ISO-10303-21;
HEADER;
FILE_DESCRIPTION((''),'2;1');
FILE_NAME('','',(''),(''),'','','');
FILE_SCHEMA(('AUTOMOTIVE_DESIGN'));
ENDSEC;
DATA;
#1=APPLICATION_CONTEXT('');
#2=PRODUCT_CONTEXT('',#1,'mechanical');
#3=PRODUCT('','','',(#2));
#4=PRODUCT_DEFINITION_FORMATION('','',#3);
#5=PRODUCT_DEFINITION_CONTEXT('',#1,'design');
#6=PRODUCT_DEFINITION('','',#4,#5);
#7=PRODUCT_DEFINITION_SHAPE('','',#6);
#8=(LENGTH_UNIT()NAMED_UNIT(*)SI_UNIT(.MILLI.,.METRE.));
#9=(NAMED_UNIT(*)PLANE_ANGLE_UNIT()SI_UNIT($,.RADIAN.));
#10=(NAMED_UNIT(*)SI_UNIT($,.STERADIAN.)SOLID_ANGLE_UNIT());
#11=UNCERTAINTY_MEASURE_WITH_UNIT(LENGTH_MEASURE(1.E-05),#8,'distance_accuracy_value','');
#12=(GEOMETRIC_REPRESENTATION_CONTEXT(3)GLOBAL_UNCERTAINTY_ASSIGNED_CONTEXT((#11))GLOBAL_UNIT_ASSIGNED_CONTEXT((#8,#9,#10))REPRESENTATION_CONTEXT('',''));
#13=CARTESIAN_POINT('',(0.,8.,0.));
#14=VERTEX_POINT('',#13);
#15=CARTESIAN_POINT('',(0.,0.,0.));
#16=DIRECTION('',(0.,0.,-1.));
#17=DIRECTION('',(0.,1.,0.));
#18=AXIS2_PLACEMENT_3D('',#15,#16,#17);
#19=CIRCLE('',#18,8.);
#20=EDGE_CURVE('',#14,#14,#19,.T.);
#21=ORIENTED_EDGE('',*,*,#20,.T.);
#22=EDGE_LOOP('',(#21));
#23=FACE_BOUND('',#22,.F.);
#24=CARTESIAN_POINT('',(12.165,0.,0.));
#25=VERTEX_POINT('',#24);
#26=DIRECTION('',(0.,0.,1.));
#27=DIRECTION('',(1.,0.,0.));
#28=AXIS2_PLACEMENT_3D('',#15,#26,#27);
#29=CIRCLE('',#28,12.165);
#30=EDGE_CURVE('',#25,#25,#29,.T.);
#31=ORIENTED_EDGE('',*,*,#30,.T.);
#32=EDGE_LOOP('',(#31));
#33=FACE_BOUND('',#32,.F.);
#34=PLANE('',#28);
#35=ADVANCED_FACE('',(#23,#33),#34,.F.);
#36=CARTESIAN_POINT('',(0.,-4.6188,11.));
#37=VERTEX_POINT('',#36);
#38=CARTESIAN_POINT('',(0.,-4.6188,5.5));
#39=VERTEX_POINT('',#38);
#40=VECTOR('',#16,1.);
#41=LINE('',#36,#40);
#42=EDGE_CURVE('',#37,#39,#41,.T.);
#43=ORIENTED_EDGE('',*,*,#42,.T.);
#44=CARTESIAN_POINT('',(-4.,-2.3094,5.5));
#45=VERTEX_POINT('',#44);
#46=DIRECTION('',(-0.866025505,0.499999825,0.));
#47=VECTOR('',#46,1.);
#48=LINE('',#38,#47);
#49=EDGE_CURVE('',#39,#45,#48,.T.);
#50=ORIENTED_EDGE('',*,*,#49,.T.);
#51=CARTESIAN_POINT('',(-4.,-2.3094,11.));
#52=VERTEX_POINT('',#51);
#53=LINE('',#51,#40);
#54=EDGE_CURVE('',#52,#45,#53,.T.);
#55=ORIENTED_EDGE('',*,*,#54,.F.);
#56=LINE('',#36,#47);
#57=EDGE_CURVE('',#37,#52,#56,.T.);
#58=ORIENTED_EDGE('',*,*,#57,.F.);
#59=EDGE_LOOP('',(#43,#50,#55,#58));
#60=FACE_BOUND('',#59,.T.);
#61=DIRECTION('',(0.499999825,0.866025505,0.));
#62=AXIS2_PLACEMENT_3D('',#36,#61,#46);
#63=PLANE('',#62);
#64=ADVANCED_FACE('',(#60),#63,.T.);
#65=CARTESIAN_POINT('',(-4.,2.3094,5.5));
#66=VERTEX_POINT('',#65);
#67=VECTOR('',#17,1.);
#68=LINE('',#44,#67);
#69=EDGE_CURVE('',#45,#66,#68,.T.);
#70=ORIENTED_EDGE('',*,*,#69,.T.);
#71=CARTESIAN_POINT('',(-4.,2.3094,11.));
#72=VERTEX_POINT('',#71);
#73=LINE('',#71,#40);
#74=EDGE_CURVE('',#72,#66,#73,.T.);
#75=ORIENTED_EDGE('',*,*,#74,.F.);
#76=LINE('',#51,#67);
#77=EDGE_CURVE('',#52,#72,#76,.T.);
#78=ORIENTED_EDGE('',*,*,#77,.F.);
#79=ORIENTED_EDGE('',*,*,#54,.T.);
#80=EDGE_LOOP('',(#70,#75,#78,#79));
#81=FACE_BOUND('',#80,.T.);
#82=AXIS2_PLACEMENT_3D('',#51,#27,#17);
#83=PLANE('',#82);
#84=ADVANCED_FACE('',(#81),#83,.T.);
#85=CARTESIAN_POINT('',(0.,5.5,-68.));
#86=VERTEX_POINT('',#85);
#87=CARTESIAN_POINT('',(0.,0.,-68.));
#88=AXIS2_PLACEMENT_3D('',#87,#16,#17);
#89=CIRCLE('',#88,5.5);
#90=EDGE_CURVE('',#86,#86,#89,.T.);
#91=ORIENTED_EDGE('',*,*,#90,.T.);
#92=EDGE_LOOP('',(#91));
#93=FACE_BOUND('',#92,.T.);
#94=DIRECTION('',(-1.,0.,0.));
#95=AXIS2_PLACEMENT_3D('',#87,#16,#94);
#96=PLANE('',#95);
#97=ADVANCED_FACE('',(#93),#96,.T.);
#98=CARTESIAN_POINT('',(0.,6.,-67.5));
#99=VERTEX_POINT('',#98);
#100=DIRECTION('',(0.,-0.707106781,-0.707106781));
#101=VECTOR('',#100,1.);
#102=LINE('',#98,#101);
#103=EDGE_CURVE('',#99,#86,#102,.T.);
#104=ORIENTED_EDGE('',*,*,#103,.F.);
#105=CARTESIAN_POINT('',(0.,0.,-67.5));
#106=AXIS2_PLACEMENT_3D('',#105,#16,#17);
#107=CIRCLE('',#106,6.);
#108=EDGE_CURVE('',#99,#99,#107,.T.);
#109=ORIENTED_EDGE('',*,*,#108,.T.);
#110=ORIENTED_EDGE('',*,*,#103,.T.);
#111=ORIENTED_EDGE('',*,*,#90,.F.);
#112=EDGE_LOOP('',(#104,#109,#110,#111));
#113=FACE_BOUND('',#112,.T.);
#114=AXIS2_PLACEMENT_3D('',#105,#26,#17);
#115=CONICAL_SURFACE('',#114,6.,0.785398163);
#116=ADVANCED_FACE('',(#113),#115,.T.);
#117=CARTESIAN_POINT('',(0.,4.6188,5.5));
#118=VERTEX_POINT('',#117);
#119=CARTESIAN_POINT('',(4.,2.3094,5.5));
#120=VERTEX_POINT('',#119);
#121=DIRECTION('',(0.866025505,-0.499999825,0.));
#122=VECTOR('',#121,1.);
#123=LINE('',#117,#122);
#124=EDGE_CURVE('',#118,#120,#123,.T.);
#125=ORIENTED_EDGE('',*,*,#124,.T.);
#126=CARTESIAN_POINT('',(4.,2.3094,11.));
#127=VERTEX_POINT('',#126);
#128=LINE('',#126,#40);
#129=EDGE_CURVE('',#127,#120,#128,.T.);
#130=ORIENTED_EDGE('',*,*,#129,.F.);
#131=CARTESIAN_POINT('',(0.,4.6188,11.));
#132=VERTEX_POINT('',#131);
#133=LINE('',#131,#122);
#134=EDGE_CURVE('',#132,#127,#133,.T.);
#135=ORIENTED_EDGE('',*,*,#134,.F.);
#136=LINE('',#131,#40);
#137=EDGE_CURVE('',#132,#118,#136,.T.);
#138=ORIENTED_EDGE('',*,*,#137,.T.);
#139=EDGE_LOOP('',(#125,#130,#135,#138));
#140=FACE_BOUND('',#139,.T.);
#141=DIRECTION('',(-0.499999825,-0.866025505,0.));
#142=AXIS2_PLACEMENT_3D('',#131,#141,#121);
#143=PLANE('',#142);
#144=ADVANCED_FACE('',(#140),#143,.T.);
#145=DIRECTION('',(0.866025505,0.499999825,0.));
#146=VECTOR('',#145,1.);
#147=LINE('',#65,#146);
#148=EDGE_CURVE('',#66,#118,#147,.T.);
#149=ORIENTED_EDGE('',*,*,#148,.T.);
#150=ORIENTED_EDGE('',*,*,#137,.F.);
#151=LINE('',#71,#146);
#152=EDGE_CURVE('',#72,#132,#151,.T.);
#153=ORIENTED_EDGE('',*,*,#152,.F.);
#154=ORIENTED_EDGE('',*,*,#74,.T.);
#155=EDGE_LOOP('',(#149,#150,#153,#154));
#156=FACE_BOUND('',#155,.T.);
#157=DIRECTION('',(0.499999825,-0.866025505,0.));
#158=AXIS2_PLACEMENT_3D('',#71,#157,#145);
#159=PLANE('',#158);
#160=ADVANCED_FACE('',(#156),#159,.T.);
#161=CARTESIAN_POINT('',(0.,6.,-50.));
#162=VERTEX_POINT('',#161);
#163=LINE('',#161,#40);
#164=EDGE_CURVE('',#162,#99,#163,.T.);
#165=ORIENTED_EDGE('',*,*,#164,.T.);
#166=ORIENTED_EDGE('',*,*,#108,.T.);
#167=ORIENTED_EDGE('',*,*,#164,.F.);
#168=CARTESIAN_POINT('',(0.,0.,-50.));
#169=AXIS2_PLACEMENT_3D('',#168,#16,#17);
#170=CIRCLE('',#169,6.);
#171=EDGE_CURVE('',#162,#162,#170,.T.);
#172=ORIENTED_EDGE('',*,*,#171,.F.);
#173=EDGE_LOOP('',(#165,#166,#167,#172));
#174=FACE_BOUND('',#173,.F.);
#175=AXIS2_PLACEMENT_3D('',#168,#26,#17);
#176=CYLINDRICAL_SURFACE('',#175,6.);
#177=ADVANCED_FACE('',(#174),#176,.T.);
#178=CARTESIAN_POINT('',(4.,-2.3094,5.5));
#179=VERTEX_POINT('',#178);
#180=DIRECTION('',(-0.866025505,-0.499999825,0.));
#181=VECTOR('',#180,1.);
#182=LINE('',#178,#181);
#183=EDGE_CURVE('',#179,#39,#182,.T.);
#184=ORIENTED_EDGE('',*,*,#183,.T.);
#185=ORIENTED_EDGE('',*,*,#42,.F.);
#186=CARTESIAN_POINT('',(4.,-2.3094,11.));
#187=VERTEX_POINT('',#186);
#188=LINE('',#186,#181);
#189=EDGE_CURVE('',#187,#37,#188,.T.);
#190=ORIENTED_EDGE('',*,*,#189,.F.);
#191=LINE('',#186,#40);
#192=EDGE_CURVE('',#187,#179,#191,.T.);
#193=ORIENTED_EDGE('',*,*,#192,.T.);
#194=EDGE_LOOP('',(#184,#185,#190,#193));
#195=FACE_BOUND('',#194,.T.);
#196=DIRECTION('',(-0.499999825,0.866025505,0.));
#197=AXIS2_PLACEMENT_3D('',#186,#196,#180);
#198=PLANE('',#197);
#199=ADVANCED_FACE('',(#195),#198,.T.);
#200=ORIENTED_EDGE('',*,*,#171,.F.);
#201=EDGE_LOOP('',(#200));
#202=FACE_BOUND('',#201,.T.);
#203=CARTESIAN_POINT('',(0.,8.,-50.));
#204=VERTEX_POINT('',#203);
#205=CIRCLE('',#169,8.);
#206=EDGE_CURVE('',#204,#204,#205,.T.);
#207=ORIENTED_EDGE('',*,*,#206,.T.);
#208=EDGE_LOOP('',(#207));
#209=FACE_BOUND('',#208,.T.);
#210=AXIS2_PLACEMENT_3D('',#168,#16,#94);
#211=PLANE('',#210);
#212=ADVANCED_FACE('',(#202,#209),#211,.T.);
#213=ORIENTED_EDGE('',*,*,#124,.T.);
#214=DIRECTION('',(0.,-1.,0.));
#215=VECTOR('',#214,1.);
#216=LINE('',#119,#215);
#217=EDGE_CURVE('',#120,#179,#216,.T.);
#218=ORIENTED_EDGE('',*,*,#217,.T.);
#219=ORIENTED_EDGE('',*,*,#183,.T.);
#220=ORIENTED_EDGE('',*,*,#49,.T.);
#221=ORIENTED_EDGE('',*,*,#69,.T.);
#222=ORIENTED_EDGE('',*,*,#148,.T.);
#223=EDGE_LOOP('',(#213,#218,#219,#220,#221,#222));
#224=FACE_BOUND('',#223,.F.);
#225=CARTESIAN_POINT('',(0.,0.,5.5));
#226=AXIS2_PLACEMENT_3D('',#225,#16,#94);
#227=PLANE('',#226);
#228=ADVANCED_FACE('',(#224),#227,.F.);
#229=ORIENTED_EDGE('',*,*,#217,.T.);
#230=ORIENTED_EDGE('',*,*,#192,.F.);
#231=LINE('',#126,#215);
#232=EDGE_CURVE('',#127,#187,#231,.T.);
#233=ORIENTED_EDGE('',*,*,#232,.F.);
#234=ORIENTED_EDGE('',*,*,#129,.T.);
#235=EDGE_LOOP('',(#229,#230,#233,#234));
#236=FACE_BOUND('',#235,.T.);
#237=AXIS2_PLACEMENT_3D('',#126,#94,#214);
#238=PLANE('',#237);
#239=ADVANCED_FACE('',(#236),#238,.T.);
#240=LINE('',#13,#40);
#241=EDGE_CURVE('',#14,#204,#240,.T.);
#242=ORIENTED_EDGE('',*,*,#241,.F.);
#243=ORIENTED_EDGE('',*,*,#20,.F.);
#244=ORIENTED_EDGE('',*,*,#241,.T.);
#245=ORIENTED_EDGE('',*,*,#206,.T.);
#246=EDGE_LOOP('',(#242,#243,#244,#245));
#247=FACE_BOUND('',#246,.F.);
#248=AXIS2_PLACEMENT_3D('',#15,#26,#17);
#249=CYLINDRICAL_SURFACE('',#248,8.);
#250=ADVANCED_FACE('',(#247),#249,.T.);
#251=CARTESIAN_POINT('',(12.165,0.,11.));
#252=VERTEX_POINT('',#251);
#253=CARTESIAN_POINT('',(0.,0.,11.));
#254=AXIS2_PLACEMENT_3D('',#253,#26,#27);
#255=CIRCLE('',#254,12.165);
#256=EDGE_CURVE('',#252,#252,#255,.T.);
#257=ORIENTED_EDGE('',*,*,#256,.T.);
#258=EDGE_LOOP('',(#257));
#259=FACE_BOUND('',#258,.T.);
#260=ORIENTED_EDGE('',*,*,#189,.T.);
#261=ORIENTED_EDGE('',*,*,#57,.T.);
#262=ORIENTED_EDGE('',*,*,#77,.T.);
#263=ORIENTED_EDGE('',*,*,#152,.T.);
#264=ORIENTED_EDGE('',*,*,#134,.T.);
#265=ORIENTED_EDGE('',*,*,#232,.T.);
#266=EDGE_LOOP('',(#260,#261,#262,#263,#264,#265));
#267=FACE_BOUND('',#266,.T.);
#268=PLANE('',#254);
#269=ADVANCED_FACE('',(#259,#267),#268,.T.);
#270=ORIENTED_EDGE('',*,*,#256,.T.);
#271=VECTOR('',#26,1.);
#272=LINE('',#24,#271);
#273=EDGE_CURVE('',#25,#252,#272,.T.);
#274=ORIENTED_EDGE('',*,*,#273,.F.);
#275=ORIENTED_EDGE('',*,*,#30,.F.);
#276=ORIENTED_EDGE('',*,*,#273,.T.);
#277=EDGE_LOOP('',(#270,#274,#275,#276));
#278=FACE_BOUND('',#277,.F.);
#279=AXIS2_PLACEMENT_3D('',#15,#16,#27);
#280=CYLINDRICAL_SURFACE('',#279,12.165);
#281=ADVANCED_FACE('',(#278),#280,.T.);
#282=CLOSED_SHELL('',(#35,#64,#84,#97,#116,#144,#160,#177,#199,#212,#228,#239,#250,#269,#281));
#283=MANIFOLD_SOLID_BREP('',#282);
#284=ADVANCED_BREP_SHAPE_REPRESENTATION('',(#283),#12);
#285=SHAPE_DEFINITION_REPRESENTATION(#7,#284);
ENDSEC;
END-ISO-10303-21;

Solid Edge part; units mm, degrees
sketch "Sketch1" plane through (0, 0, 0) normal (0, 0, 1) x (1, 0, 0)
  circle A0 centre (0, 0) radius 12.165
  dimension "D1" = 24.33
extrude "Protrusion1" add sketch "Sketch1" along normal blind 11
sketch "Sketch2" plane through (0, 0, 11) normal (0, 0, 1) x (1, 0, 0)
  line L0 (0, -4.6188) -> (-4, -2.3094)
  line L1 (-4, -2.3094) -> (-4, 2.3094)
  line L2 (-4, 2.3094) -> (0, 4.6188)
  line L3 (0, 4.6188) -> (4, 2.3094)
  line L4 (4, 2.3094) -> (4, -2.3094)
  line L5 (4, -2.3094) -> (0, -4.6188)
  dimension "D1" = 8
extrude "Cutout1" cut sketch "Sketch2" against normal blind 5.5
sketch "Sketch3" plane through (0, 0, 0) normal (0, 0, -1) x (0, 1, 0)
  circle A0 centre (0, 0) radius 8
  dimension "D1" = 16
extrude "Protrusion2" add sketch "Sketch3" along normal blind 50
sketch "Sketch4" plane through (0, 0, -50) normal (0, 0, -1) x (0, 1, 0)
  circle A0 centre (0, 0) radius 6
  dimension "D1" = 12
extrude "Protrusion3" add sketch "Sketch4" along normal blind 18
chamfer "Chamfer1" distance 0.5 angle 45 1 edges at (0, -6, -68)
properties part number "131785"
